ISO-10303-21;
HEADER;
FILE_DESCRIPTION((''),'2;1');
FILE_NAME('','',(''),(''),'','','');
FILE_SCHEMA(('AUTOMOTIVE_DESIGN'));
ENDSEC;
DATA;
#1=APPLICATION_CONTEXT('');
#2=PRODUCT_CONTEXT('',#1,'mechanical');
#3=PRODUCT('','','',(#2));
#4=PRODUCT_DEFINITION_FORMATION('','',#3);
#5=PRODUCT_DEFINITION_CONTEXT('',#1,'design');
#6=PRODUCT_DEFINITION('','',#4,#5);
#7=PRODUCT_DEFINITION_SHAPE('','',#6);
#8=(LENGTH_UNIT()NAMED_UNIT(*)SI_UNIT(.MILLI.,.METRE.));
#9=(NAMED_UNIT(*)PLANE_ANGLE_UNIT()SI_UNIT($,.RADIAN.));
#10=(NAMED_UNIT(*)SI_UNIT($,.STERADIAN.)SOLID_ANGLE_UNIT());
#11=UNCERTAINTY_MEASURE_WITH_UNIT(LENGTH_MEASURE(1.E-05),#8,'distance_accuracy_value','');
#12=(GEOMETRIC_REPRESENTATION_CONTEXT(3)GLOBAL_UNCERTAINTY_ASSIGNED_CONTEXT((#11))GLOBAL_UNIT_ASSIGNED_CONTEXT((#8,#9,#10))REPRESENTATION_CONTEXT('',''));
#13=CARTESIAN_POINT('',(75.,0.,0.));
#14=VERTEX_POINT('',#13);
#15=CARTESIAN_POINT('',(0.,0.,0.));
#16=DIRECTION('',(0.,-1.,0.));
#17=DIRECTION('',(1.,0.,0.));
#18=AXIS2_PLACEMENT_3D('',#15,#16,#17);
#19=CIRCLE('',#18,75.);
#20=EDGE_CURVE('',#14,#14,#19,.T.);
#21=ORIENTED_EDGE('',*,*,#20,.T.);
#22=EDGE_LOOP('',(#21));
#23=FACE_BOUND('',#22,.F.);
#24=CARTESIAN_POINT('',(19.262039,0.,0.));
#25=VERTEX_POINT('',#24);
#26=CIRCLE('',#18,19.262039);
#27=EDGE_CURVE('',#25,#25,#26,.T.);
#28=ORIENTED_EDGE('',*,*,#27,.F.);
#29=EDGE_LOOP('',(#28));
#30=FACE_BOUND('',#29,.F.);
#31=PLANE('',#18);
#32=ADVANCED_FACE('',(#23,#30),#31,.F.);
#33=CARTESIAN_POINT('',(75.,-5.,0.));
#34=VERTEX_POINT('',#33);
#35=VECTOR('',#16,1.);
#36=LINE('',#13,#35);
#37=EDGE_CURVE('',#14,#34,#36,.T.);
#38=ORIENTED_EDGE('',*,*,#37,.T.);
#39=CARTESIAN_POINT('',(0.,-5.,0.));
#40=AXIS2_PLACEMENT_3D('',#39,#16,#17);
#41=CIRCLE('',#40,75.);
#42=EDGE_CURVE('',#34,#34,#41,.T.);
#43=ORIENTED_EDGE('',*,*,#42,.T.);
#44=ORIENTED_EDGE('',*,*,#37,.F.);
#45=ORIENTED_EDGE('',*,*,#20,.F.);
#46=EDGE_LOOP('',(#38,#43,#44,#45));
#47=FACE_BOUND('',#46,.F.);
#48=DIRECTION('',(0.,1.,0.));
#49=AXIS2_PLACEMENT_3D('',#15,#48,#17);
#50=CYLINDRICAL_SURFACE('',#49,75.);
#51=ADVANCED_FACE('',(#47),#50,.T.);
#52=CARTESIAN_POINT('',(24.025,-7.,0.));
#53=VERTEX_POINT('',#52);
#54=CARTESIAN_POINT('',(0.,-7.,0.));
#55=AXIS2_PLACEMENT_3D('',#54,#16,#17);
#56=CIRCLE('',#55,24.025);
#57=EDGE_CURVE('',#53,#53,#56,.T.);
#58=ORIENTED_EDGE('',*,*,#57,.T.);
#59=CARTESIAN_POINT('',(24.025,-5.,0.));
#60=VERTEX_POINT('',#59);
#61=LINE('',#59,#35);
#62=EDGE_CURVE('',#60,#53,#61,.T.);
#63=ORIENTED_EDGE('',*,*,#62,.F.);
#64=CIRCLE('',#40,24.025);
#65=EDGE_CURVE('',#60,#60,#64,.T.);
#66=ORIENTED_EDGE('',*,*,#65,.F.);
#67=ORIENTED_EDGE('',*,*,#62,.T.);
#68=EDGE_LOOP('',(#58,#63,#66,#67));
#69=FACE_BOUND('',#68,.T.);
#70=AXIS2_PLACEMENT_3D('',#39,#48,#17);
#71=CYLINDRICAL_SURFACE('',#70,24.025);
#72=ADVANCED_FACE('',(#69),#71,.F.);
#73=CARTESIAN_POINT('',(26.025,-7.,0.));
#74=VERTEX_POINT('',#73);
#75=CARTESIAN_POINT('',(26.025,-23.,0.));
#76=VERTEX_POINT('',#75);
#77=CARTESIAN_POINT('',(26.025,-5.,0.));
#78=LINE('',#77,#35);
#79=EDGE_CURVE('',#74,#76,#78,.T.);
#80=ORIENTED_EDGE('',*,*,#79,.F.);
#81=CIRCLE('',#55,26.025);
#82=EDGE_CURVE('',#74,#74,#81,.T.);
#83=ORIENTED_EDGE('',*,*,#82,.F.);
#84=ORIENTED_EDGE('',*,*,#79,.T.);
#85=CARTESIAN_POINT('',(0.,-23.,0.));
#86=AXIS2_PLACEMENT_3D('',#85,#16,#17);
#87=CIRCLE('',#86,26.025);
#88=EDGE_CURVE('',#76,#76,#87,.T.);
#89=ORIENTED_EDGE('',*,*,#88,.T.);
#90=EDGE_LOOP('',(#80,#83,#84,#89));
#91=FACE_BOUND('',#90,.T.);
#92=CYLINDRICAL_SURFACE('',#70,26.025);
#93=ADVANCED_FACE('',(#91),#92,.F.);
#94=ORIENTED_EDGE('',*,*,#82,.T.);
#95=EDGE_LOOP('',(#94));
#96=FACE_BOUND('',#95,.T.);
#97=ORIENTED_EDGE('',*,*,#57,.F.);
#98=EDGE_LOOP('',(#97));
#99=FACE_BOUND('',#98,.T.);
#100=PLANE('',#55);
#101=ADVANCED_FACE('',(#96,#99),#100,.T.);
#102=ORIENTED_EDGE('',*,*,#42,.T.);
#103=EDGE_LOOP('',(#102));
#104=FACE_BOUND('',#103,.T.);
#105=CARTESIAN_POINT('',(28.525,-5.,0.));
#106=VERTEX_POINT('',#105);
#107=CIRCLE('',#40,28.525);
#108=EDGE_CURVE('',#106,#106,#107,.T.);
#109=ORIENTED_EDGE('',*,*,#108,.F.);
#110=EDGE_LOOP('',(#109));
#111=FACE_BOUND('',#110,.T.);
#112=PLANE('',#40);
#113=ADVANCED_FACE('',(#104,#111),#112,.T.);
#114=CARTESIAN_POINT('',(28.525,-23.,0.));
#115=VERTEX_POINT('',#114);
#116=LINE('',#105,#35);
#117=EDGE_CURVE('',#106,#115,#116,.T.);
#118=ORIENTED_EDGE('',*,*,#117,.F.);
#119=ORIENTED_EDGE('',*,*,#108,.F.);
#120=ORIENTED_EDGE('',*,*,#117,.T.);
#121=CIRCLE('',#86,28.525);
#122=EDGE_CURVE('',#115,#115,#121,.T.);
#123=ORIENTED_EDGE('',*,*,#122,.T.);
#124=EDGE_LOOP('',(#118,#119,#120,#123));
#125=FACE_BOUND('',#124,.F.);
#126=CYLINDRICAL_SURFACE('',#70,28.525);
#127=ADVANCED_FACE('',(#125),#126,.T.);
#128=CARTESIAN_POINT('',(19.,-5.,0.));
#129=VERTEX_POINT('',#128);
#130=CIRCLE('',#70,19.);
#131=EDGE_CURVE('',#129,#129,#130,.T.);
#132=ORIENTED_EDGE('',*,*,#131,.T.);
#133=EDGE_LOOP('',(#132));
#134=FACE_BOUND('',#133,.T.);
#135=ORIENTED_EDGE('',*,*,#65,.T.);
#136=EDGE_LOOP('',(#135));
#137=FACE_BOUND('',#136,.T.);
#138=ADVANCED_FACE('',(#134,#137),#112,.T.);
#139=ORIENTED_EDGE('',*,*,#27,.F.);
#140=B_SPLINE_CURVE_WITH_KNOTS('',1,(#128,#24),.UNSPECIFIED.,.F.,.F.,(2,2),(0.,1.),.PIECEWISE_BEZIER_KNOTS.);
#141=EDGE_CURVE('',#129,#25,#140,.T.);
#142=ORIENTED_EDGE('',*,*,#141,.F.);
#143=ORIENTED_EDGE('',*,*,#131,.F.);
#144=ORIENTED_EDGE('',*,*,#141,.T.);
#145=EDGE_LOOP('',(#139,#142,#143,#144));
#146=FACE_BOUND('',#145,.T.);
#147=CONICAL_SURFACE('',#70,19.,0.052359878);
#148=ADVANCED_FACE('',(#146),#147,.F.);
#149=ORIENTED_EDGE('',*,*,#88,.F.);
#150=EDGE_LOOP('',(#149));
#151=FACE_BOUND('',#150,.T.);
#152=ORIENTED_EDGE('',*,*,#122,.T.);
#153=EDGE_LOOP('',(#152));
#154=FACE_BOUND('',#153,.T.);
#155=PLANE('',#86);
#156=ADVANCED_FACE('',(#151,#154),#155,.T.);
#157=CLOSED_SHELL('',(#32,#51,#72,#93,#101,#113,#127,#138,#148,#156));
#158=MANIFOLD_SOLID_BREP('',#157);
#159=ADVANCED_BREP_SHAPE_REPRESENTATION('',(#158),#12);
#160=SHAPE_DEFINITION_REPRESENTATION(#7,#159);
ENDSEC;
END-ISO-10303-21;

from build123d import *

# Parameters (mm, degrees)
F0_R     = 75
F1_DEPTH = 5
F2_R     = 19
F3_DEPTH = 5
F3_TAPER = -3
F4_R     = 28.525
F4_R_2   = 26.025
F5_DEPTH = 18
F6_R     = 26.025
F6_R_2   = 24.025
F7_DEPTH = 2


with BuildPart() as f1:
    # F0 (on Front) → F1 (new body)
    with BuildSketch(Plane.XZ):
        Circle(F0_R)
    extrude(amount=F1_DEPTH)

    # F2 (on face) → F3 (cut, through all)
    with BuildSketch(Plane.XZ.offset(5)):
        Circle(F2_R)
    extrude(amount=-F3_DEPTH, taper=F3_TAPER, mode=Mode.SUBTRACT)

    # F4 (on face) → F5 (join)
    with BuildSketch(Plane.XZ.offset(5)):
        Circle(F4_R)
        Circle(F4_R_2, mode=Mode.SUBTRACT)
    extrude(amount=F5_DEPTH)

    # F6 (on face) → F7 (join)
    with BuildSketch(Plane.XZ.offset(5)):
        Circle(F6_R)
        Circle(F6_R_2, mode=Mode.SUBTRACT)
    extrude(amount=F7_DEPTH)


solid = f1.part
